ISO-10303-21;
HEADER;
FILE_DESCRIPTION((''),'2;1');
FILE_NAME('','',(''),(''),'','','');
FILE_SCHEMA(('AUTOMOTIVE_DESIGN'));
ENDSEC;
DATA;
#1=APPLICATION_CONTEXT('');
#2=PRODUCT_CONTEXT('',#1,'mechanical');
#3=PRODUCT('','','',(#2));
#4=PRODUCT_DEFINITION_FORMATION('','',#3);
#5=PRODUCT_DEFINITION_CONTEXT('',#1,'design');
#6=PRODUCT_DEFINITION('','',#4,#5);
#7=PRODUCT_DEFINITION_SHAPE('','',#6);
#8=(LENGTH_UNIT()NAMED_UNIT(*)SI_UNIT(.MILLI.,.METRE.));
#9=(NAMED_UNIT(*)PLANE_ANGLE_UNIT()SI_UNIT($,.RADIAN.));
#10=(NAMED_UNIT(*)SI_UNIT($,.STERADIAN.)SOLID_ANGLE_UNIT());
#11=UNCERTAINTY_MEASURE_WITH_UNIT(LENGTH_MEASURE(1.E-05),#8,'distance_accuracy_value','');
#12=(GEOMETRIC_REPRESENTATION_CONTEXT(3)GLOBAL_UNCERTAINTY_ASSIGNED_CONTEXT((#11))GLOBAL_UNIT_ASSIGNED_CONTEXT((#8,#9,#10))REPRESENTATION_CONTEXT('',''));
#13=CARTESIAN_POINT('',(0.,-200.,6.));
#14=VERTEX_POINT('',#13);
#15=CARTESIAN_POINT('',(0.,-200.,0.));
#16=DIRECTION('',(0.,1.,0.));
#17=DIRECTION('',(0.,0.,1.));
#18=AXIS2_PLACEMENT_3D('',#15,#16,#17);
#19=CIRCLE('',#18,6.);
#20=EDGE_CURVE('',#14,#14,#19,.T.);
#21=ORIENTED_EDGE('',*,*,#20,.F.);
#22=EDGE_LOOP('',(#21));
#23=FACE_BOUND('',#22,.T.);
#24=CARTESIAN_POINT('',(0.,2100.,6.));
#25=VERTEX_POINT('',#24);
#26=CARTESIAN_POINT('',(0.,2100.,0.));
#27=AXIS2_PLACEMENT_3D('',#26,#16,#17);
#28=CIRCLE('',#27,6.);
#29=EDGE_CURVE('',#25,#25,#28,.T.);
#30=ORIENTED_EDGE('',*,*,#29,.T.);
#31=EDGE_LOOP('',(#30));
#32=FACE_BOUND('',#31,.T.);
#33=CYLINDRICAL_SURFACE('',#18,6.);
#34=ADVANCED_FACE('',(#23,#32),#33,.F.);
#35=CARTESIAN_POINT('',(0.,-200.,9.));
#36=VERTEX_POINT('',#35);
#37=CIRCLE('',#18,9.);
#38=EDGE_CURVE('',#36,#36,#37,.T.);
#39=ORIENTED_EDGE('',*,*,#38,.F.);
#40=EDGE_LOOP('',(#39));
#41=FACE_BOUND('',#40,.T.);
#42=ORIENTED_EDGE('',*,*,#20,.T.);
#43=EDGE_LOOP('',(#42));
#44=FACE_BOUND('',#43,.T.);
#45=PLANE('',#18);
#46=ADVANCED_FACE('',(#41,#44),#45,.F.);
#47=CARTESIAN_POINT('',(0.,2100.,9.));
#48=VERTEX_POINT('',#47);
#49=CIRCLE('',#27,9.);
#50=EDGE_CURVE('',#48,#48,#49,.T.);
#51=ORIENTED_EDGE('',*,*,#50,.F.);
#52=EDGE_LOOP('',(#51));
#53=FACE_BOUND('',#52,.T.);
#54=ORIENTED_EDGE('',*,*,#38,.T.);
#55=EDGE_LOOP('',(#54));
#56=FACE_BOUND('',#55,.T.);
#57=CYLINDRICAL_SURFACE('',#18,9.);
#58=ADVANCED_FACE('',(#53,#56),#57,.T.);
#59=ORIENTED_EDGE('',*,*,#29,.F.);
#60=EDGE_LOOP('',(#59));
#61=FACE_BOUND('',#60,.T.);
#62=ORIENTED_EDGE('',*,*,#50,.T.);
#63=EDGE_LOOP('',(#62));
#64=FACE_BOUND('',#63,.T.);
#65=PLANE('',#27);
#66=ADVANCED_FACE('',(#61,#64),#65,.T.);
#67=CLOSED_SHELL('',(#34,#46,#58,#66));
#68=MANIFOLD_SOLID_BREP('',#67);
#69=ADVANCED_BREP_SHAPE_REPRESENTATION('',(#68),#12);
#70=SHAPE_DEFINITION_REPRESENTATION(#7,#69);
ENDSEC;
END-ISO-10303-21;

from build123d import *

# Parameters (mm, degrees)
SKETCH1_R                = 9
SKETCH1_R_2              = 6
BOSS_EXTRUDE1_DEPTH      = 2100
BOSS_EXTRUDE1_DEPTH_BACK = 200


with BuildPart() as part:
    # Sketch1 → Boss-Extrude1 (new body, two sides)
    with BuildSketch(Plane(origin=(0, 0, 0), x_dir=(1, 0, 0), z_dir=(0, 1, 0))) as boss_extrude1_sk:
        Circle(SKETCH1_R)
        Circle(SKETCH1_R_2, mode=Mode.SUBTRACT)
    extrude(amount=BOSS_EXTRUDE1_DEPTH)
    extrude(boss_extrude1_sk.sketch, amount=-BOSS_EXTRUDE1_DEPTH_BACK)


solid = part.part
